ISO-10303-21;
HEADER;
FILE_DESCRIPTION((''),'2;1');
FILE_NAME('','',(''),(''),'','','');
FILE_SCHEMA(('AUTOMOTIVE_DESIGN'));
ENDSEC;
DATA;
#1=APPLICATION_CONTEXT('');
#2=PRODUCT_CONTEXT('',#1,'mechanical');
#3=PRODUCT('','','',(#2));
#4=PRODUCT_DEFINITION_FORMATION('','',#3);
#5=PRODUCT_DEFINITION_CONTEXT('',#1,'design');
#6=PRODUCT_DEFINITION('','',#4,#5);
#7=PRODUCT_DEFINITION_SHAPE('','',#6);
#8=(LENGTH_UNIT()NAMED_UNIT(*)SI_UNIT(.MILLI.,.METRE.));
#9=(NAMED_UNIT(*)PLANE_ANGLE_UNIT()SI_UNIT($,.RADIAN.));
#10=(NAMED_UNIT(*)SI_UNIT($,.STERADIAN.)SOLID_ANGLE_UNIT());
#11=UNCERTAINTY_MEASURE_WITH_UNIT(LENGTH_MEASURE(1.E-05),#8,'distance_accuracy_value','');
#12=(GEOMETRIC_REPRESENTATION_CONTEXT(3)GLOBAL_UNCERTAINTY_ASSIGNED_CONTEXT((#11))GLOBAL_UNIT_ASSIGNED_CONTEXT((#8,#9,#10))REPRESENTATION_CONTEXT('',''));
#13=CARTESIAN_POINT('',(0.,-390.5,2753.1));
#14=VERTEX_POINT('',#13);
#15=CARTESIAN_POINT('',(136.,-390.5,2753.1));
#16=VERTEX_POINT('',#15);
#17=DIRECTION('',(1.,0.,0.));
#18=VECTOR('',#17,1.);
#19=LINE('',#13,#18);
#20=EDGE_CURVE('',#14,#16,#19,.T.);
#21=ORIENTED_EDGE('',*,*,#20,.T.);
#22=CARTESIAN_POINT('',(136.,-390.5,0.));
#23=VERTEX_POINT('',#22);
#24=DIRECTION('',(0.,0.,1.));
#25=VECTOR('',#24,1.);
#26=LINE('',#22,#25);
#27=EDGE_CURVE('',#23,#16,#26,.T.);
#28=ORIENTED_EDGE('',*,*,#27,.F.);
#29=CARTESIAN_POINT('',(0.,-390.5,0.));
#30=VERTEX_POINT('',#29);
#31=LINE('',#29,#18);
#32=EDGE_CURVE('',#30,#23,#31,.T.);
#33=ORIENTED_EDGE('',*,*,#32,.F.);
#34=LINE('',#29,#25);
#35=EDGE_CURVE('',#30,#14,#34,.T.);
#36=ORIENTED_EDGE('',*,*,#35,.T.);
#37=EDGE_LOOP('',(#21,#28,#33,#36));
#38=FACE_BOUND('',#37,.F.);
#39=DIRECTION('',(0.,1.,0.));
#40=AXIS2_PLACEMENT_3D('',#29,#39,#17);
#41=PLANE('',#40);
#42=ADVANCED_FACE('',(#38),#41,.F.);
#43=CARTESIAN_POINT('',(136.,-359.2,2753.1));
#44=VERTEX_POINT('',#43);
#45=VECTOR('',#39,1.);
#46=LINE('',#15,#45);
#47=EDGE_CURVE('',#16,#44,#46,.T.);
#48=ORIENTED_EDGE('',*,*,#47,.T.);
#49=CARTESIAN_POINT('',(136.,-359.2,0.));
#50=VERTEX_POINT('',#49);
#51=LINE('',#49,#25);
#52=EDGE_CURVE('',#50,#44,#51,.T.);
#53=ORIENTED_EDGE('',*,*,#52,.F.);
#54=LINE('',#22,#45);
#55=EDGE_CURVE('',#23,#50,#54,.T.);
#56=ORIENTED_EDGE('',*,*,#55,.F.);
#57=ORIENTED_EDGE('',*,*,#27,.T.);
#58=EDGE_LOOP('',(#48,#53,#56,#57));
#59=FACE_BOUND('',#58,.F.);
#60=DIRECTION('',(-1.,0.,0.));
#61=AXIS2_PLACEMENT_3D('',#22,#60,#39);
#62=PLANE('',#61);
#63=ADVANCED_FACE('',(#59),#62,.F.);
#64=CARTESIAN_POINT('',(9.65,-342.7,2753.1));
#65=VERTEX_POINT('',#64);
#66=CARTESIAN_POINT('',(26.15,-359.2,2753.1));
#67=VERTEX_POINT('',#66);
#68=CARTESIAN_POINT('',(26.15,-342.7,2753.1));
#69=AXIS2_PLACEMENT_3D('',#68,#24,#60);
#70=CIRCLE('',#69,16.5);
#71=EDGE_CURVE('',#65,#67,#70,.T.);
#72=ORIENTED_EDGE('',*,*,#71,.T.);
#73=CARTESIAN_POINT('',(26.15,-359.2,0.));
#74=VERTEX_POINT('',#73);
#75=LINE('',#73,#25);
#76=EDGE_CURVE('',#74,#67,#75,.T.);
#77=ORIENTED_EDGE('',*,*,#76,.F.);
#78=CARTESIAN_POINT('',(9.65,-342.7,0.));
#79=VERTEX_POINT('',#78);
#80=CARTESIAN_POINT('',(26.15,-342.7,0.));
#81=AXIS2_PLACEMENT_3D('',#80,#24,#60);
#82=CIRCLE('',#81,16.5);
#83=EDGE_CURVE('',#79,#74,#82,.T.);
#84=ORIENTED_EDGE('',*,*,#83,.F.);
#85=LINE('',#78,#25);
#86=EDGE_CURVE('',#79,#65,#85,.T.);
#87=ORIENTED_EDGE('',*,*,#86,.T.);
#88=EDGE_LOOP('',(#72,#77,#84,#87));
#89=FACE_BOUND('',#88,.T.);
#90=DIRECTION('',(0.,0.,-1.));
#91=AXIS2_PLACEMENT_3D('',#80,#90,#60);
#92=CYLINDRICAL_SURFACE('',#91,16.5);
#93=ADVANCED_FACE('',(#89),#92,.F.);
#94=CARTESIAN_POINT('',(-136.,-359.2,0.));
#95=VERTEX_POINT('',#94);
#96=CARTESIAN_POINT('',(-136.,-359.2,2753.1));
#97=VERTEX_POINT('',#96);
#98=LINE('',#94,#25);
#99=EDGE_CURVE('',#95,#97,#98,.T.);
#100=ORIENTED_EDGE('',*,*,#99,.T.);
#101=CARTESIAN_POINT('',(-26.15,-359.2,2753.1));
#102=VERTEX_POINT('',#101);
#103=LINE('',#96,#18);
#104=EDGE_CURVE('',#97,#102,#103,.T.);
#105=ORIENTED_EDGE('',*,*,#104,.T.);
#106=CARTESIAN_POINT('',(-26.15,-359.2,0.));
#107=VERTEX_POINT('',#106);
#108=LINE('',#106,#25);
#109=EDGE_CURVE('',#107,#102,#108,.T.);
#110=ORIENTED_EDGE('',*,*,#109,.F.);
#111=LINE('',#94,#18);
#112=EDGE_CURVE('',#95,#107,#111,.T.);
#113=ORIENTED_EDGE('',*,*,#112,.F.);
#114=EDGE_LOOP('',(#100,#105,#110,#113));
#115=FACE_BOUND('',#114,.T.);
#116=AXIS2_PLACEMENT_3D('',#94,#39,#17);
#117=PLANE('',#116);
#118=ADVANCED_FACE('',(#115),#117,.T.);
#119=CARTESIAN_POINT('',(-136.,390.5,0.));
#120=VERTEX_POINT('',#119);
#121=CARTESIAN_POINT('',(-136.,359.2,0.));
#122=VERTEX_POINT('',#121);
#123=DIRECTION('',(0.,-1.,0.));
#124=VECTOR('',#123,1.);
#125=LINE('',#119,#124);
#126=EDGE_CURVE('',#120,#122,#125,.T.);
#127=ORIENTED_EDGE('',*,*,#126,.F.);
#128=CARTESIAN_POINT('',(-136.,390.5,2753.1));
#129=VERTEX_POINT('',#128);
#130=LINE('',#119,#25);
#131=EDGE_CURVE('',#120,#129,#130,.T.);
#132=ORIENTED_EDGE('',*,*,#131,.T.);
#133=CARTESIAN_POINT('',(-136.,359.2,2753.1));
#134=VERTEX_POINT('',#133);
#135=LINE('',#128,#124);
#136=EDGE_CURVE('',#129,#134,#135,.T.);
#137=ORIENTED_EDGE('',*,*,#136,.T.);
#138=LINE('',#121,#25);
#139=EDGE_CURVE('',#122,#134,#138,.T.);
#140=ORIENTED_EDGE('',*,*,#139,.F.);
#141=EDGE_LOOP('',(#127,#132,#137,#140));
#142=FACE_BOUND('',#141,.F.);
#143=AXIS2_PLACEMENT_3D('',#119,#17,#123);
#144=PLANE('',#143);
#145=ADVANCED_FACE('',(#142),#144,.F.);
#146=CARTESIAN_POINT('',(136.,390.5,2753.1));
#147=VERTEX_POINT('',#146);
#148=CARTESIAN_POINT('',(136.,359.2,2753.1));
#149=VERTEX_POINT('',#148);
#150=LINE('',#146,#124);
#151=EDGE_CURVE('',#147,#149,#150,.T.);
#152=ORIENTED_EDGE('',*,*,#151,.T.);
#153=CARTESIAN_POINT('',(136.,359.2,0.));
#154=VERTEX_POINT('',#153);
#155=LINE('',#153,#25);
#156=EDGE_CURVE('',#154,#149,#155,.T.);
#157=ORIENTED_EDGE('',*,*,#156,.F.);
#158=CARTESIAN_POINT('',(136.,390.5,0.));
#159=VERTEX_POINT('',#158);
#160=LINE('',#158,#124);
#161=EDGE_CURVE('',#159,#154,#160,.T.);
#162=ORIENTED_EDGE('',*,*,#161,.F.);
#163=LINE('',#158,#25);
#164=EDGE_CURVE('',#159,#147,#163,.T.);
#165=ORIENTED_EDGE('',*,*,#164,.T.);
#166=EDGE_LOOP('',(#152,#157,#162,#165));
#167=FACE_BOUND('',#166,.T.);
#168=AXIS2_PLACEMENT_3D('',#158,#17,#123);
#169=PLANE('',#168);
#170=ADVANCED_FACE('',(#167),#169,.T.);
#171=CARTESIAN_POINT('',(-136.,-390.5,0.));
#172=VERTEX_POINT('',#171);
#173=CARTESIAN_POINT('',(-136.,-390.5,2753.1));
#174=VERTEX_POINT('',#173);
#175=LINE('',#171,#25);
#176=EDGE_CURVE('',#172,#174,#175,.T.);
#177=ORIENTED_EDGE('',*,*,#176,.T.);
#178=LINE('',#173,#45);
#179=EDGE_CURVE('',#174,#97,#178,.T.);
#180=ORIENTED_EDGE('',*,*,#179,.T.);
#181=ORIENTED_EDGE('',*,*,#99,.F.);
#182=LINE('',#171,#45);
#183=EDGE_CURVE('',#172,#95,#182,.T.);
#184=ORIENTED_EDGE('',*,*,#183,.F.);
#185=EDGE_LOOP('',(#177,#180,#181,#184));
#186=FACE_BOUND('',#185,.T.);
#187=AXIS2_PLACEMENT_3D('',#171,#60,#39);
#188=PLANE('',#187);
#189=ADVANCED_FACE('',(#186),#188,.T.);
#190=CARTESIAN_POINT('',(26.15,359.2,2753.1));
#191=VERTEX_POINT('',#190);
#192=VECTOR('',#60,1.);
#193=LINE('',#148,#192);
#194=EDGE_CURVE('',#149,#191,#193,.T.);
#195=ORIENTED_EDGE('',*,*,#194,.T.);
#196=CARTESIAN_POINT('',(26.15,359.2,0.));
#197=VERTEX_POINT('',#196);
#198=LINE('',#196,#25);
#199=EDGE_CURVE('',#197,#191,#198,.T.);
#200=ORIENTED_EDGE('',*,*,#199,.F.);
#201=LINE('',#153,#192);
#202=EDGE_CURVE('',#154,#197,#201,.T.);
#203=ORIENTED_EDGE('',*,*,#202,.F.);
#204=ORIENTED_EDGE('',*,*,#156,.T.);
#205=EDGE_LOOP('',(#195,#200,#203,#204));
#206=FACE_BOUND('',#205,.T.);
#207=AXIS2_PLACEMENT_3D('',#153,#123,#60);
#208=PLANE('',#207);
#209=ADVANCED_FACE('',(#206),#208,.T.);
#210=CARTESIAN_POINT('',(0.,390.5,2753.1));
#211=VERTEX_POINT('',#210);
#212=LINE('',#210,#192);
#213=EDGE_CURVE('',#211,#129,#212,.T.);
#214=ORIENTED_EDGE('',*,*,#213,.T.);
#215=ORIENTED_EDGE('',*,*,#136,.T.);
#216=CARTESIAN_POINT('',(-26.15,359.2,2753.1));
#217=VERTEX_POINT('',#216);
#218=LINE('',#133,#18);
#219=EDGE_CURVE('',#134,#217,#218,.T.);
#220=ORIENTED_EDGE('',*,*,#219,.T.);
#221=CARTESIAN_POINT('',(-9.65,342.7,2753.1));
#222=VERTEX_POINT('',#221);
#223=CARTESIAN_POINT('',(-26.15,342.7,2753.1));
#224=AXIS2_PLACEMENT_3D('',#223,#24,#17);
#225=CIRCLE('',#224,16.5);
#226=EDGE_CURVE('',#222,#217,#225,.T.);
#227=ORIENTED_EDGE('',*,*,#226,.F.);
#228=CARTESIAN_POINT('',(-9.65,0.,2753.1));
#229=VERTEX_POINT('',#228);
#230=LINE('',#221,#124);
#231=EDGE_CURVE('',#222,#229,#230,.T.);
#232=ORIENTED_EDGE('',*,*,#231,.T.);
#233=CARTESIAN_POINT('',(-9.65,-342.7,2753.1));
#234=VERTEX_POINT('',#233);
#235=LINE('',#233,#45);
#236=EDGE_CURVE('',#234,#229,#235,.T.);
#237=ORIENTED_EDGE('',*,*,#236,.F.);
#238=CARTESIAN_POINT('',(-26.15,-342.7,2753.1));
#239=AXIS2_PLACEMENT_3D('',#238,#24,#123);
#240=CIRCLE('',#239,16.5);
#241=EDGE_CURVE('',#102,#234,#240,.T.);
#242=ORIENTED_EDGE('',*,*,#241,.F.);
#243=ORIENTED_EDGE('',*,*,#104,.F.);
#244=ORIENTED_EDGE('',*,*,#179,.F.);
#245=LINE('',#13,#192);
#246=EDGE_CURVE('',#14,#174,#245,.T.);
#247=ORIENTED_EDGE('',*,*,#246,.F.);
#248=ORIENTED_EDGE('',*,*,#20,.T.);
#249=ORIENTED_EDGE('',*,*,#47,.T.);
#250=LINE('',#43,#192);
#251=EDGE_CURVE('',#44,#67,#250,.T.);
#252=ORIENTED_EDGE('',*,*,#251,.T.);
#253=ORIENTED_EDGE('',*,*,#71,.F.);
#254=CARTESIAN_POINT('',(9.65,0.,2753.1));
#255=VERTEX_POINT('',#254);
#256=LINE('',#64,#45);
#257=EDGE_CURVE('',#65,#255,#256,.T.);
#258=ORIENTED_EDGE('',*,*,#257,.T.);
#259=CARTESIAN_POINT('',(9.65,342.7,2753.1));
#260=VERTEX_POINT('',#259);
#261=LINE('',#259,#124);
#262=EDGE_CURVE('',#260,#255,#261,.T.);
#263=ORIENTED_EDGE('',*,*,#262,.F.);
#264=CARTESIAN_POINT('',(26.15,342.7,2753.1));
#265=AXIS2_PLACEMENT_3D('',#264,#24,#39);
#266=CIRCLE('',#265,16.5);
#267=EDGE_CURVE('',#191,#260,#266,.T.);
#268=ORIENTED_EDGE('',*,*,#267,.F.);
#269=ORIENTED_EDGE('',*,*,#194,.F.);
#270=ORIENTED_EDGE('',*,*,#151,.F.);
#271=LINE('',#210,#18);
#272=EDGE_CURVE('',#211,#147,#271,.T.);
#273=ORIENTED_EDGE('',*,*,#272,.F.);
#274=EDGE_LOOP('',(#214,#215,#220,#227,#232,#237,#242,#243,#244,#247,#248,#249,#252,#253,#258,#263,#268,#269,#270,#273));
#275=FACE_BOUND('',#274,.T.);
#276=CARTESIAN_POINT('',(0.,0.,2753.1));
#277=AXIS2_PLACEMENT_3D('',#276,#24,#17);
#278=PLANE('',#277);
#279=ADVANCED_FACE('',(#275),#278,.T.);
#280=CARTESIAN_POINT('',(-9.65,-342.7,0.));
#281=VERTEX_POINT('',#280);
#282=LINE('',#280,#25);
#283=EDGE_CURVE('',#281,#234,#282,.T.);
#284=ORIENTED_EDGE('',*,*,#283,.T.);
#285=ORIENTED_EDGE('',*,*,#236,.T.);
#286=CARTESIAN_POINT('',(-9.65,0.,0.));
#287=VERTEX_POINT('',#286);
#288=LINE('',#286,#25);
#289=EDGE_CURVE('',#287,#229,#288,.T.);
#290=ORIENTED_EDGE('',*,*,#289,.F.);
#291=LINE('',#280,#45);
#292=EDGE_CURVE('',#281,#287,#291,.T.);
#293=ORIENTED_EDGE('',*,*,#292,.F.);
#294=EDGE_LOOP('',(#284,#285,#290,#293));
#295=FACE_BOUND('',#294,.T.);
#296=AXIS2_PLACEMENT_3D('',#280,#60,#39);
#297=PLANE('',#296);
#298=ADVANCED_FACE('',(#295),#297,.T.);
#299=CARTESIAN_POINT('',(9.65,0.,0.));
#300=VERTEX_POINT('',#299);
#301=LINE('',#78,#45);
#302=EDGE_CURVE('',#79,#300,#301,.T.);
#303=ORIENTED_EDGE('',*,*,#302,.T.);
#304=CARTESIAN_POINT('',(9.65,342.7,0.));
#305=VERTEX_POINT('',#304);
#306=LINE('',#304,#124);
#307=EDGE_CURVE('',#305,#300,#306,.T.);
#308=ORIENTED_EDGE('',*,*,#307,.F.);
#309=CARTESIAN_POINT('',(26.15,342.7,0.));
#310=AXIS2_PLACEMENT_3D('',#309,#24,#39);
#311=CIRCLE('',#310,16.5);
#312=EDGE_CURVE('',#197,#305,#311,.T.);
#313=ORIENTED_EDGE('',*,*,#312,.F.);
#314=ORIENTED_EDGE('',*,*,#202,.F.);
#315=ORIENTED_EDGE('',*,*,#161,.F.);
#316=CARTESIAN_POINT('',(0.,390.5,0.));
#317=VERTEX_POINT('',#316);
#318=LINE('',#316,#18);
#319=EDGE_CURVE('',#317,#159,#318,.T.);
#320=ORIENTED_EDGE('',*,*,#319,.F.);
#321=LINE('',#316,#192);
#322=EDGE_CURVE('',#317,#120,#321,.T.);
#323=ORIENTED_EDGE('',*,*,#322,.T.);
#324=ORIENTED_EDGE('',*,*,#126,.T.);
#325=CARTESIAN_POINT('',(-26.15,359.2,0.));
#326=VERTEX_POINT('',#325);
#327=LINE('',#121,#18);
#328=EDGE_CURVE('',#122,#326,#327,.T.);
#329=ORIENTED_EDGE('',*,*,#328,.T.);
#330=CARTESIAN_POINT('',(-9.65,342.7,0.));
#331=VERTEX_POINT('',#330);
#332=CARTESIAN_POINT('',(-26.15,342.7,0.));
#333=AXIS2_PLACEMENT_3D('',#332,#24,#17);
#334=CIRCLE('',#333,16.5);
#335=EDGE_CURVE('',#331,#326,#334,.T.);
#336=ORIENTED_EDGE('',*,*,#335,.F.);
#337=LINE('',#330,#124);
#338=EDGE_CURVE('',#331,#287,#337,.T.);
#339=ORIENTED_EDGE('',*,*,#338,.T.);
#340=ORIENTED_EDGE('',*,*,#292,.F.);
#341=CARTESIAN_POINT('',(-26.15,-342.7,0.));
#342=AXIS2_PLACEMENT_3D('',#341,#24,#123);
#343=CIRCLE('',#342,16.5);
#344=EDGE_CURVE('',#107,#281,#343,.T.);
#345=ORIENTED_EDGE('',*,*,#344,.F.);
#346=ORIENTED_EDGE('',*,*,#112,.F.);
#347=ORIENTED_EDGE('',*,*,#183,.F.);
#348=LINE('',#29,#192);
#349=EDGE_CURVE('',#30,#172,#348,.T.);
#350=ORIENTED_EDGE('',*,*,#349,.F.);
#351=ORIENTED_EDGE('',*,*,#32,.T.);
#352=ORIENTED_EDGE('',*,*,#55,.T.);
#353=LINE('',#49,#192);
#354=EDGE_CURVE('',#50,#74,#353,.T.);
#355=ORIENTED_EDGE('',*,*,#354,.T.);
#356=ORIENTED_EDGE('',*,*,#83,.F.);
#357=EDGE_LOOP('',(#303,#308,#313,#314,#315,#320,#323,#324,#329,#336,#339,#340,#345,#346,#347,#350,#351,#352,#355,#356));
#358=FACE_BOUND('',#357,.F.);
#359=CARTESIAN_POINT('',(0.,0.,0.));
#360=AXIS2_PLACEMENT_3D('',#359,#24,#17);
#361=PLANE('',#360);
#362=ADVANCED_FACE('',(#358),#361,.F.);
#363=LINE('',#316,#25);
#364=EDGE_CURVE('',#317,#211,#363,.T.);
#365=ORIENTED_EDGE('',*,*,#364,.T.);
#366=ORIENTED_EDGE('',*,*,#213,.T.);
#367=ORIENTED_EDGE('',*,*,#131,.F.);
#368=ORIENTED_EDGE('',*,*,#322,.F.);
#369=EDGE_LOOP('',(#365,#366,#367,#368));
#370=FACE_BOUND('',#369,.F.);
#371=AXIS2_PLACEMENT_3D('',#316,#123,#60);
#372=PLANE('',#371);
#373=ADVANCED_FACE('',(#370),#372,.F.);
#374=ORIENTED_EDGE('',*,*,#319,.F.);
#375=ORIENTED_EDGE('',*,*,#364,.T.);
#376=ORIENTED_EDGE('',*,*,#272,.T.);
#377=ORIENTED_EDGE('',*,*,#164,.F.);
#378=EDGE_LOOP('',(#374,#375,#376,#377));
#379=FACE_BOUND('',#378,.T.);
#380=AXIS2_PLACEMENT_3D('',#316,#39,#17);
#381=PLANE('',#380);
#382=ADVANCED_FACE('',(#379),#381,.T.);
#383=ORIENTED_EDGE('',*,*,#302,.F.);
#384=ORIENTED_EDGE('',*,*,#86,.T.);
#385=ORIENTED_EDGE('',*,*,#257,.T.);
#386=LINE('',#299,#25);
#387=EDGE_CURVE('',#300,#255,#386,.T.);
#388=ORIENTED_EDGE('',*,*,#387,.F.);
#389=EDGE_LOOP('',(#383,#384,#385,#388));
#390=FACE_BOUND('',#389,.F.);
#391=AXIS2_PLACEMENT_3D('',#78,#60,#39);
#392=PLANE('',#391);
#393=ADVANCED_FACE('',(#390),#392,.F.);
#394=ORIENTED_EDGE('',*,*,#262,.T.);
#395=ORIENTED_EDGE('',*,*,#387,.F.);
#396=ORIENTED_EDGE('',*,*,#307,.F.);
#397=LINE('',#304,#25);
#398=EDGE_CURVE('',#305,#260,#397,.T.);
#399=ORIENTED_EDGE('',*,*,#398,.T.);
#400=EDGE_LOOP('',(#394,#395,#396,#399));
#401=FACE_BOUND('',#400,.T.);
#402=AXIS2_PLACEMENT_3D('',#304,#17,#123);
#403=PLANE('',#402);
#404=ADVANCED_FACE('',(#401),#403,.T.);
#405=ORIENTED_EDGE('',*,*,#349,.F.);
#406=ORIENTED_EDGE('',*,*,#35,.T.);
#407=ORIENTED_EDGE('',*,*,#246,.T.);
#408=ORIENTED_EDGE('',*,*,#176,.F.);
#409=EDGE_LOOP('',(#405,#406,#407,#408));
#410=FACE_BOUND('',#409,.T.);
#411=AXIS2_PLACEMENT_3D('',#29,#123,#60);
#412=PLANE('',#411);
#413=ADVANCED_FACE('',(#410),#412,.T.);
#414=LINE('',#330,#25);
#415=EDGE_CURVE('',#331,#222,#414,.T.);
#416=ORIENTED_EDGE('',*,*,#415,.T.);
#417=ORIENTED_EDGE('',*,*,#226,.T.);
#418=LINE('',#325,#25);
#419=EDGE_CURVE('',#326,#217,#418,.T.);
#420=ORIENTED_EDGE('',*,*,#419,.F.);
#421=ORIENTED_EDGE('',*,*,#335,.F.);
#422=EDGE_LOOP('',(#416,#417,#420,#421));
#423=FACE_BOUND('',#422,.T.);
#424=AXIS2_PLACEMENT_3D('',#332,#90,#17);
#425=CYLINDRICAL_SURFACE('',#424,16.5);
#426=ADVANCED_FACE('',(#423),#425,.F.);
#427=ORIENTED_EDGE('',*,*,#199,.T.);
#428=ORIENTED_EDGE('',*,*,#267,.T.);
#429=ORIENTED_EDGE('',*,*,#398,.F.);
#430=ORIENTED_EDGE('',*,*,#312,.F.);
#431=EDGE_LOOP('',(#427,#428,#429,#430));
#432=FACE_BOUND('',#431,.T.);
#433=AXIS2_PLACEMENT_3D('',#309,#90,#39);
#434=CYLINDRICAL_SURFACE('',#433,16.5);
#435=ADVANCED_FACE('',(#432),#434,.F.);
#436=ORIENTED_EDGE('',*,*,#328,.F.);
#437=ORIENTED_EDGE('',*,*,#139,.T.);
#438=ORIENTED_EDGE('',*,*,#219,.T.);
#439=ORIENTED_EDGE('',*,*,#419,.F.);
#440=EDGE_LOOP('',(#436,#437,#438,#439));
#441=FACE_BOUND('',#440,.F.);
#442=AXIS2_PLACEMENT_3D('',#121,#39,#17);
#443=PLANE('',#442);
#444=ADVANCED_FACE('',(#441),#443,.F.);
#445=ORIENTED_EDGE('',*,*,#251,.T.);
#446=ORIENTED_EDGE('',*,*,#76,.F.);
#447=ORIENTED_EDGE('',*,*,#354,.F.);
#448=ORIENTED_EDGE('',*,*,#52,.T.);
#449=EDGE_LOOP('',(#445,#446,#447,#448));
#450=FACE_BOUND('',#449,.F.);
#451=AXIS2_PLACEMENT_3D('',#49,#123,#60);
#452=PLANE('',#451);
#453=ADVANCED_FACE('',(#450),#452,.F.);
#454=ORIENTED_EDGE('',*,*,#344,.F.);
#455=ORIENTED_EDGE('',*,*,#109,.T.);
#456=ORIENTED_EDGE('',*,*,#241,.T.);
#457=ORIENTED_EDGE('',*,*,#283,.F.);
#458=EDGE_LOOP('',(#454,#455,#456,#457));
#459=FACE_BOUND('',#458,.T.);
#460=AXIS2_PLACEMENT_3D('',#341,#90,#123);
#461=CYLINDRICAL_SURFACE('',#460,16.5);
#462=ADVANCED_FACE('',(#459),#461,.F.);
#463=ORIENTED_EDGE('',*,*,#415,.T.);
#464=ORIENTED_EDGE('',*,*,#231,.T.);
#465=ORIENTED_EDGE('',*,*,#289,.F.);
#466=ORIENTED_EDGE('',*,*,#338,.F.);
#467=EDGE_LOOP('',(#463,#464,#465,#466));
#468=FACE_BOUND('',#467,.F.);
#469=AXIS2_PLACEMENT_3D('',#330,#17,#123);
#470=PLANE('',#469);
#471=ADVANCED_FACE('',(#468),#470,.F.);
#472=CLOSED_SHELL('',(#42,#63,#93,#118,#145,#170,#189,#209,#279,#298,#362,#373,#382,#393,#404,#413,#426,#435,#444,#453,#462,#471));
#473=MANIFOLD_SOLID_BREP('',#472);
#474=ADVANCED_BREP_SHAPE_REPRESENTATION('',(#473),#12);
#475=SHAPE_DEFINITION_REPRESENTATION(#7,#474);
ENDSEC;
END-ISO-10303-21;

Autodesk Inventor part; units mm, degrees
ref_plane "YZ Plane" through (0, 0, 0) normal (1, 0, 0) x (0, 1, 0)
ref_plane "Start plane" through (0, 0, 0) normal (0, 0, 1) x (1, 0, 0)
ref_plane "End plane" through (0, 0, 2753.1) normal (0, 0, 1) x (1, 0, 0)
sketch "Sketch" plane through (0, 0, 0) normal (0, 0, 1) x (1, 0, 0)
  line L0 (-136, -390.5) -> (-136, -359.2)
  line L1 (-136, -359.2) -> (-26.15, -359.2)
  line L2 (-9.65, -342.7) -> (-9.65, 0)
  line L3 (-9.65, 0) -> (0, 0) construction
  line L4 (0, 0) -> (0, -390.5) construction
  line L5 (0, -390.5) -> (-136, -390.5)
  line L6 (-60, 0) -> (80, 0) construction
  line L7 (0, -60) -> (0, 80) construction
  line L8 (136, -390.5) -> (136, -359.2)
  line L9 (136, -359.2) -> (26.15, -359.2)
  line L10 (9.65, -342.7) -> (9.65, 0)
  line L11 (9.65, 0) -> (0, 0) construction
  line L12 (0, -390.5) -> (136, -390.5)
  line L13 (-136, 390.5) -> (-136, 359.2)
  line L14 (-136, 359.2) -> (-26.15, 359.2)
  line L15 (-9.65, 342.7) -> (-9.65, 0)
  line L16 (0, 390.5) -> (-136, 390.5)
  line L17 (136, 390.5) -> (136, 359.2)
  line L18 (136, 359.2) -> (26.15, 359.2)
  line L19 (0, 390.5) -> (136, 390.5)
  line L20 (9.65, 342.7) -> (9.65, 0)
  arc A0 (-9.65, 342.7) -> (-26.15, 359.2) centre (-26.15, 342.7) ccw
  arc A1 (26.15, 359.2) -> (9.65, 342.7) centre (26.15, 342.7) ccw
  arc A2 (9.65, -342.7) -> (26.15, -359.2) centre (26.15, -342.7) ccw
  arc A3 (-26.15, -359.2) -> (-9.65, -342.7) centre (-26.15, -342.7) ccw
  line L21 (0, 108) -> (0, -88) construction
  line L22 (-88, 0) -> (108, 0) construction
  point P0 (-9.65, -359.2)
  point P1 (9.65, -359.2)
  point P2 (-9.65, 359.2)
  point P3 (9.65, 359.2)
  dimension "d1" = 390.5
  dimension "d2" = 31.3
  dimension "d3" = 136
  dimension "d4" = 9.65
  dimension "d10" = 16.5
extrude "Body" add sketch "Sketch" along normal up to surface (2753.1 mm away) from surface at 0
sketch "Sketch4" plane through (0, 0, 0) normal (0, 0, 1) x (1, 0, 0)
  line L0 (0, 0) -> (10, 0)
ref_plane "Work Plane3" through (0, 0, 0) normal (0, -1, 0) x (1, 0, 0)
sketch "Sketch5" plane through (0, 0, 0) normal (0, -1, 0) x (1, 0, 0)
  line L0 (-2, 0) -> (12, 0) projected
  line L1 (-2, 2753.1) -> (12, 2753.1) projected
  dimension "d14" = 2753.1
equation "\"d1\" = 0.5 * G_H"
equation "\"d2\" = G_T1"
equation "\"d3\" = 0.5 * G_W"
equation "\"d4\" = 0.5 * G_T"
equation "\"d10\" = G_IR"
equation "\"d5\" = G_L"
equation "\"G_W\" = 272"
equation "\"G_H\" = 781"
equation "\"G_T\" = 19.3"
equation "\"G_T1\" = 31.3"
equation "\"G_IR\" = 16.5"
equation "\"G_L\" = d14"
equation "\"G_OFFSET_START\" = 0"
equation "\"G_OFFSET_END\" = 0"
equation "\"d12\" = G_OFFSET_END + B_L"
equation "\"B_L\" = 2753.1"
properties part number "AS 3679-1990 - 760 UB - 244 - 2753.1" material "Steel, Mild"
